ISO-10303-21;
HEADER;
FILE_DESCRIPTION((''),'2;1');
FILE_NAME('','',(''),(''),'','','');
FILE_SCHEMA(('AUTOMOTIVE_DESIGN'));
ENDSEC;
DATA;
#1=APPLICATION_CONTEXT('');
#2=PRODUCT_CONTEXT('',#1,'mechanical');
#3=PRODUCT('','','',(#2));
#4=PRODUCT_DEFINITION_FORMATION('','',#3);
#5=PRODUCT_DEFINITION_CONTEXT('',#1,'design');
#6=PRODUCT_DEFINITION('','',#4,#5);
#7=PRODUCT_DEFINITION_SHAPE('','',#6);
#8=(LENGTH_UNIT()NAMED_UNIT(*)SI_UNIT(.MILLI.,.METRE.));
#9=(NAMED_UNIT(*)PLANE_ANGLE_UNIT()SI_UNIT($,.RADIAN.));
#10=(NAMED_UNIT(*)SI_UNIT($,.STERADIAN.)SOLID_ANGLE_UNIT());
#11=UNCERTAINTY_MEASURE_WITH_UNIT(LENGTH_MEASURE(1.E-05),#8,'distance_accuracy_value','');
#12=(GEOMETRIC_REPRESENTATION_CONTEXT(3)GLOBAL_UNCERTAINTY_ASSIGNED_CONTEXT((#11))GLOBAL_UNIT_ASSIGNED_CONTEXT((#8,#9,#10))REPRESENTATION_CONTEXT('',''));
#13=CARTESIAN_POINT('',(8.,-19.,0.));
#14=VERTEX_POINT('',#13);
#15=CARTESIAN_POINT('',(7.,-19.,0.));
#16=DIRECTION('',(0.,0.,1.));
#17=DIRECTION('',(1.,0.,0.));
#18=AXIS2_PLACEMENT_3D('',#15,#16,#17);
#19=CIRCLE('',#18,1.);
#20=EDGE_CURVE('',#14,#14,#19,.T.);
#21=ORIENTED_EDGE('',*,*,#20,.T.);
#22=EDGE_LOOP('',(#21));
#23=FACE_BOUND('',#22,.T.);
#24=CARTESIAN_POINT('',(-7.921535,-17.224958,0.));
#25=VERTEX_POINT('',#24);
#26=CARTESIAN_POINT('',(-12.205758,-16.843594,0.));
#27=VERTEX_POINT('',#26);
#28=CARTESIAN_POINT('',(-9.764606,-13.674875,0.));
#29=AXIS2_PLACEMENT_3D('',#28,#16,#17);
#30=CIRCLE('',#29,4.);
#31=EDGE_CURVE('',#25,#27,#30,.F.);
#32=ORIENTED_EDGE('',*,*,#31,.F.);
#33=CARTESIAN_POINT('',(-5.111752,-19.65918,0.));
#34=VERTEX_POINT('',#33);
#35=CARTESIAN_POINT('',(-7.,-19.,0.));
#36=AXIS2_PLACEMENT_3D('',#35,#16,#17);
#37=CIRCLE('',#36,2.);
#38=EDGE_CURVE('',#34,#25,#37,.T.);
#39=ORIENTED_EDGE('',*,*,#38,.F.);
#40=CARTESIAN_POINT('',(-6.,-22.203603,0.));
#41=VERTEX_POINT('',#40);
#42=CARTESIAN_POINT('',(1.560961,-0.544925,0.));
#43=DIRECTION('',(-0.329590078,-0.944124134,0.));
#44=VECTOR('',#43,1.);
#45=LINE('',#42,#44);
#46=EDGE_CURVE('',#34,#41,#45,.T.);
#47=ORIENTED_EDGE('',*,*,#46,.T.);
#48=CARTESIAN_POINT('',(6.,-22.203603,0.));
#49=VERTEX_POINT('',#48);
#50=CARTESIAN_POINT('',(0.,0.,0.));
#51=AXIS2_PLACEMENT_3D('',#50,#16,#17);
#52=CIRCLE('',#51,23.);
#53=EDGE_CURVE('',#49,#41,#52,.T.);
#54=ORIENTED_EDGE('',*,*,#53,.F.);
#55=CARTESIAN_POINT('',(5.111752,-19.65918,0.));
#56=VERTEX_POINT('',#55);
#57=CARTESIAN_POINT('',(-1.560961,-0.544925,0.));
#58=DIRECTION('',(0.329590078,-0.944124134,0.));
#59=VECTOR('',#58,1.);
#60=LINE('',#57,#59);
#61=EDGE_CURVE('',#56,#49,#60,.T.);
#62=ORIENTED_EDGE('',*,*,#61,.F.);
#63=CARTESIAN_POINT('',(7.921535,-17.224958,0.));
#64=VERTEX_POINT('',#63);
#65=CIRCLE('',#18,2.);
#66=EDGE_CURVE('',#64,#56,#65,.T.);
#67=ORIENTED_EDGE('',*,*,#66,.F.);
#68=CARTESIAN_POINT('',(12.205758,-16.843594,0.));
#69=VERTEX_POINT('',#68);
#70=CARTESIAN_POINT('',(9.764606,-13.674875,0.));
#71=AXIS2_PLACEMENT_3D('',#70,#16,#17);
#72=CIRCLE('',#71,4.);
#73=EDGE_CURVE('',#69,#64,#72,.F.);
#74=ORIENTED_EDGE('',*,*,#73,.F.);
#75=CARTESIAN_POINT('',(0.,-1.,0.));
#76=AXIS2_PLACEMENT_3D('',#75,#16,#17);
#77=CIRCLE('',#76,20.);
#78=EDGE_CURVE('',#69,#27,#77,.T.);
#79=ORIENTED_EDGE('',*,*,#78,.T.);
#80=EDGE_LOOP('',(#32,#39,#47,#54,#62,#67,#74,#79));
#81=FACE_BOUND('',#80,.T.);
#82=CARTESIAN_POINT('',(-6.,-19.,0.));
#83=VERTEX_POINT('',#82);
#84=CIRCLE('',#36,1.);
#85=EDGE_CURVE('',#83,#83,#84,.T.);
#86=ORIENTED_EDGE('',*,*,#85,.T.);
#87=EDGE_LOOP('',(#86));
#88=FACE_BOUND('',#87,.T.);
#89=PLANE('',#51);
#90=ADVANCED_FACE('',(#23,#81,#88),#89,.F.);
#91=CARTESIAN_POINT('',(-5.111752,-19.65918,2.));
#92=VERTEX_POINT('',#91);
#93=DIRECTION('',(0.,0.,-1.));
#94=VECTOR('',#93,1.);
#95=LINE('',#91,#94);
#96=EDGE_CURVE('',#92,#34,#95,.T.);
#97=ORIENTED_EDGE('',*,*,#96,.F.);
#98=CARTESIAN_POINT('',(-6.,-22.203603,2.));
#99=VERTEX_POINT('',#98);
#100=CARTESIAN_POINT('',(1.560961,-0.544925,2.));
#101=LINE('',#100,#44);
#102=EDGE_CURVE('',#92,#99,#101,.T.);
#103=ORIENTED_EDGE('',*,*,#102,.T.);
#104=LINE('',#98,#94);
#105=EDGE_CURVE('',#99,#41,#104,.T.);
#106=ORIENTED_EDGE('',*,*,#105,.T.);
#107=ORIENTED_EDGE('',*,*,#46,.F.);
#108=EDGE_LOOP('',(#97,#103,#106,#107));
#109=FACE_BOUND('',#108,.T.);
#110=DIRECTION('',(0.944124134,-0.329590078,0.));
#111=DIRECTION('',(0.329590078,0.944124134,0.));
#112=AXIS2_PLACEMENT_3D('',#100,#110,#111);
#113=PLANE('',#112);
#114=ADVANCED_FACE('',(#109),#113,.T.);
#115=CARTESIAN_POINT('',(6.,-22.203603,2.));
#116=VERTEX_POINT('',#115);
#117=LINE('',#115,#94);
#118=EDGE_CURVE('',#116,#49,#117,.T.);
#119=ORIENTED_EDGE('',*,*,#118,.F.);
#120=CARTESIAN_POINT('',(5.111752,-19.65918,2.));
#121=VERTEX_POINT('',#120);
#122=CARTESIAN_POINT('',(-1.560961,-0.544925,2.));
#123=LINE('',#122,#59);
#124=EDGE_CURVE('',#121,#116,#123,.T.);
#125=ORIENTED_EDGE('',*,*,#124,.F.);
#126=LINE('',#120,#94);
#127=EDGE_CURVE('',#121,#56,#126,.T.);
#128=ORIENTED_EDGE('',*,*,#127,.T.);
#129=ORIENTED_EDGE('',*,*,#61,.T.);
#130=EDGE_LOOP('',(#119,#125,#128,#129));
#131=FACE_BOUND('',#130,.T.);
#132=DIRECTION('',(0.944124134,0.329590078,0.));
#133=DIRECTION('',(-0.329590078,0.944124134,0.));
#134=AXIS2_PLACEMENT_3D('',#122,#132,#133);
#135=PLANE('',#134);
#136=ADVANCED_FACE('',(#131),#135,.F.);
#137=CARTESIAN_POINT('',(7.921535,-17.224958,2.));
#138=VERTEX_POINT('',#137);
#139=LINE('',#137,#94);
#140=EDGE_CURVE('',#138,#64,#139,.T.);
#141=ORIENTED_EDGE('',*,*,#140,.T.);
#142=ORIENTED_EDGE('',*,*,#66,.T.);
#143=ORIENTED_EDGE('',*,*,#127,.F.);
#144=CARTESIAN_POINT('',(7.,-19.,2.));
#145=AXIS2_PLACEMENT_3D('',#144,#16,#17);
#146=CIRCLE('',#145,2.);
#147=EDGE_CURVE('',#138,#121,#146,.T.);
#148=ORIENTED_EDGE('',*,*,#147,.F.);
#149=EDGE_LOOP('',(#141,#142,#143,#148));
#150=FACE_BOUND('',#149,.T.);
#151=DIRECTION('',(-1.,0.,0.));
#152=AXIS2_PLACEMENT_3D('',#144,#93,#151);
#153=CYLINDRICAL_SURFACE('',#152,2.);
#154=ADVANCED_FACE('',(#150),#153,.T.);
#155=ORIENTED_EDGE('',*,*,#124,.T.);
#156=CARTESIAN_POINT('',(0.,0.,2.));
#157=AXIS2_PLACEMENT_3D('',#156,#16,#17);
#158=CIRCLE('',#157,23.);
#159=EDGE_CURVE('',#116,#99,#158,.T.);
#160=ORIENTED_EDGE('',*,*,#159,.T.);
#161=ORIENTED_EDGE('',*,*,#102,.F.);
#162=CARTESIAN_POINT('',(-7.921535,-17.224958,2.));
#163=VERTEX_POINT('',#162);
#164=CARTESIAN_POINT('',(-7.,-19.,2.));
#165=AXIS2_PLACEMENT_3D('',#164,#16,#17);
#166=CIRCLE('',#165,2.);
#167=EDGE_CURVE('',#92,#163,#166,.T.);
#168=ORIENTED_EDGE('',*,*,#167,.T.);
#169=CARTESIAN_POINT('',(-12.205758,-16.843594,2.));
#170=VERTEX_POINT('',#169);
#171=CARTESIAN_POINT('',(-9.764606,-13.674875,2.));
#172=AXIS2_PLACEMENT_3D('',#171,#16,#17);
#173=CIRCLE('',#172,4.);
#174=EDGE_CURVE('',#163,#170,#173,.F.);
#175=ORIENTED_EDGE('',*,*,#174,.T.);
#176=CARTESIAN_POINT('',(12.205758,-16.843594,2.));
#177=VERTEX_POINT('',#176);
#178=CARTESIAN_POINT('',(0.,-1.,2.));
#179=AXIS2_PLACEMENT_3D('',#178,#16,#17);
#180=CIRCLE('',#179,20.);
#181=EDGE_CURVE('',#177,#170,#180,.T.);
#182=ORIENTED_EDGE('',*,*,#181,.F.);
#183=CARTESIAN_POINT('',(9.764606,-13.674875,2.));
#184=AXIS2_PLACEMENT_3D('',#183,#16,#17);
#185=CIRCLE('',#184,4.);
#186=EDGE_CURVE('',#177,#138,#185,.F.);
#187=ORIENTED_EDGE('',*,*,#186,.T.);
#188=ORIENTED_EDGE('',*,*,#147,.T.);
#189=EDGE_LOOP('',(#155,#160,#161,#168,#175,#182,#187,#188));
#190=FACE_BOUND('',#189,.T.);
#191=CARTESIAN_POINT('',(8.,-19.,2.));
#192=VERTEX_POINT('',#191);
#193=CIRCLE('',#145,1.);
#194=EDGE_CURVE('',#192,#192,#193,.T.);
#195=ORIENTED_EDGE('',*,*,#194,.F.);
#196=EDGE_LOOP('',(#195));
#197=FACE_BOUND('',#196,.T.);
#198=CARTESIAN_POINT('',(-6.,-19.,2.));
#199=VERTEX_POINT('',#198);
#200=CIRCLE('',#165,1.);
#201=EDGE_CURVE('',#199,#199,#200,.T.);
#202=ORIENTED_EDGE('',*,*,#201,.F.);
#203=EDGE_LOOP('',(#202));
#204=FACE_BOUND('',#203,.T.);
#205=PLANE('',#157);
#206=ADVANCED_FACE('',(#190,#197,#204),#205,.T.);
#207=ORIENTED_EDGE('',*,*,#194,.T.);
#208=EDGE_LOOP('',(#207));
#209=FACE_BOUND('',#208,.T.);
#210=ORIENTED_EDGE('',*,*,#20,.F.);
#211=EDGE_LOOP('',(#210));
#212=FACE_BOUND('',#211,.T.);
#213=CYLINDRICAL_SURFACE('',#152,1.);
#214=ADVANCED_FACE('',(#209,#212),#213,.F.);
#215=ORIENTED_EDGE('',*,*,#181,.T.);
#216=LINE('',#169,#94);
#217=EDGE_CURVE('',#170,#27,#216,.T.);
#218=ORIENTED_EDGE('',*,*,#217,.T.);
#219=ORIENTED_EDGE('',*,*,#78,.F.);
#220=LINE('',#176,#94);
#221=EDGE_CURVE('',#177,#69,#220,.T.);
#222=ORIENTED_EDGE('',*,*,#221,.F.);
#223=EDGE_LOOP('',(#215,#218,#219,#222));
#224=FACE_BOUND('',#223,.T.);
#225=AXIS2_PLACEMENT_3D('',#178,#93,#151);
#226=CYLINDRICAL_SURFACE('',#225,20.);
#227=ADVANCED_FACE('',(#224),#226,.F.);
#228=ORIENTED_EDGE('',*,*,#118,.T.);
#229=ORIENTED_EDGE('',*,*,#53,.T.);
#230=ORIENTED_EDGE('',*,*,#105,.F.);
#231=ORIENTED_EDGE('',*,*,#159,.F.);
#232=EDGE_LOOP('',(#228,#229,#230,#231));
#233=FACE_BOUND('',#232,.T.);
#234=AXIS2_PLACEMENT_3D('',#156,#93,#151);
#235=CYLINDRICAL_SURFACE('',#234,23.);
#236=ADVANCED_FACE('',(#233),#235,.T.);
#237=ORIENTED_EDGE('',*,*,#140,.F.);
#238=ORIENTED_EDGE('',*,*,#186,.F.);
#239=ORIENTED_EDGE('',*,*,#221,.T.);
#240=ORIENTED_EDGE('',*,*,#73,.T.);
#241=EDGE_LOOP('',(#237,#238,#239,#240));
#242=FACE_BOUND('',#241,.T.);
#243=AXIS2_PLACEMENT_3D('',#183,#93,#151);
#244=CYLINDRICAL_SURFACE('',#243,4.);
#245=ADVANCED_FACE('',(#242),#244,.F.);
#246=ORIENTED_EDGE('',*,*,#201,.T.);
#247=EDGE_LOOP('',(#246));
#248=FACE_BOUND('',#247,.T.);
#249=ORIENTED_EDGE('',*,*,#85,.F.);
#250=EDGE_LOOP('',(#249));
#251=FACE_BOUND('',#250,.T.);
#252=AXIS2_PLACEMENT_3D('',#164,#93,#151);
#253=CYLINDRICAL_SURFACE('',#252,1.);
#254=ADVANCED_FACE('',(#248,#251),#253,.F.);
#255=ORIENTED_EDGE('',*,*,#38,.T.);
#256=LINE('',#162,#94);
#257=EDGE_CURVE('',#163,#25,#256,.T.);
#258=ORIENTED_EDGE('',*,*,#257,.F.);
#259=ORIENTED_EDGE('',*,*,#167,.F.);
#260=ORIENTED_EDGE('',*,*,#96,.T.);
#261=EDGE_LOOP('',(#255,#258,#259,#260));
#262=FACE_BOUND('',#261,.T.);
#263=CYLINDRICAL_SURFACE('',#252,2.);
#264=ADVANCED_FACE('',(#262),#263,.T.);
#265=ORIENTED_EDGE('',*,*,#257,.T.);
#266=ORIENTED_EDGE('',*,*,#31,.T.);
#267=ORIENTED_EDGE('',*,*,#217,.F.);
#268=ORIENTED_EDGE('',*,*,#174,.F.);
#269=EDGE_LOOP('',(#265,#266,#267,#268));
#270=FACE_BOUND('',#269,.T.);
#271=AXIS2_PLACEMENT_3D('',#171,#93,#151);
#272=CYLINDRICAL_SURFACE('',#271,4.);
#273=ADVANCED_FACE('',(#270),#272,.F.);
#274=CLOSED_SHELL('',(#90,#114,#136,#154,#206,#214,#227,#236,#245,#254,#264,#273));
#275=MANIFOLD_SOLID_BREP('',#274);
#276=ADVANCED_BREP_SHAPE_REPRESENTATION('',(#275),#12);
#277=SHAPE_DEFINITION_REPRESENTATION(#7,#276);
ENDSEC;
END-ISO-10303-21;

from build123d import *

# Parameters (mm, degrees)
SKETCH1_R           = 1
BOSS_EXTRUDE1_DEPTH = 2


with BuildPart() as part:
    # Sketch1 → Boss-Extrude1 (new body)
    with BuildSketch(Plane.XY):
        with BuildLine():
            Line((5.111751732, -19.659180157), (6, -22.203603311))
            ThreePointArc((6, -22.203603311), (0, 23), (-6, -22.203603311))
            Line((-6, -22.203603311), (-5.111751732, -19.659180157))
            ThreePointArc((-5.111751732, -19.659180157), (-5.690422868, -17.488375796), (-7.921535407, -17.224958453))
            ThreePointArc((-7.921535407, -17.224958453), (-10.119267773, -17.659121233), (-12.205757776, -16.843594198))
            ThreePointArc((-12.205757776, -16.843594198), (0, 19), (12.205757776, -16.843594198))
            ThreePointArc((12.205757776, -16.843594198), (10.119267773, -17.659121233), (7.921535407, -17.224958453))
            ThreePointArc((7.921535407, -17.224958453), (5.690422868, -17.488375796), (5.111751732, -19.659180157))
        make_face()
        with Locations((-7, -19)):
            Circle(SKETCH1_R, mode=Mode.SUBTRACT)
        with Locations((7, -19)):
            Circle(SKETCH1_R, mode=Mode.SUBTRACT)
    extrude(amount=BOSS_EXTRUDE1_DEPTH)


solid = part.part
